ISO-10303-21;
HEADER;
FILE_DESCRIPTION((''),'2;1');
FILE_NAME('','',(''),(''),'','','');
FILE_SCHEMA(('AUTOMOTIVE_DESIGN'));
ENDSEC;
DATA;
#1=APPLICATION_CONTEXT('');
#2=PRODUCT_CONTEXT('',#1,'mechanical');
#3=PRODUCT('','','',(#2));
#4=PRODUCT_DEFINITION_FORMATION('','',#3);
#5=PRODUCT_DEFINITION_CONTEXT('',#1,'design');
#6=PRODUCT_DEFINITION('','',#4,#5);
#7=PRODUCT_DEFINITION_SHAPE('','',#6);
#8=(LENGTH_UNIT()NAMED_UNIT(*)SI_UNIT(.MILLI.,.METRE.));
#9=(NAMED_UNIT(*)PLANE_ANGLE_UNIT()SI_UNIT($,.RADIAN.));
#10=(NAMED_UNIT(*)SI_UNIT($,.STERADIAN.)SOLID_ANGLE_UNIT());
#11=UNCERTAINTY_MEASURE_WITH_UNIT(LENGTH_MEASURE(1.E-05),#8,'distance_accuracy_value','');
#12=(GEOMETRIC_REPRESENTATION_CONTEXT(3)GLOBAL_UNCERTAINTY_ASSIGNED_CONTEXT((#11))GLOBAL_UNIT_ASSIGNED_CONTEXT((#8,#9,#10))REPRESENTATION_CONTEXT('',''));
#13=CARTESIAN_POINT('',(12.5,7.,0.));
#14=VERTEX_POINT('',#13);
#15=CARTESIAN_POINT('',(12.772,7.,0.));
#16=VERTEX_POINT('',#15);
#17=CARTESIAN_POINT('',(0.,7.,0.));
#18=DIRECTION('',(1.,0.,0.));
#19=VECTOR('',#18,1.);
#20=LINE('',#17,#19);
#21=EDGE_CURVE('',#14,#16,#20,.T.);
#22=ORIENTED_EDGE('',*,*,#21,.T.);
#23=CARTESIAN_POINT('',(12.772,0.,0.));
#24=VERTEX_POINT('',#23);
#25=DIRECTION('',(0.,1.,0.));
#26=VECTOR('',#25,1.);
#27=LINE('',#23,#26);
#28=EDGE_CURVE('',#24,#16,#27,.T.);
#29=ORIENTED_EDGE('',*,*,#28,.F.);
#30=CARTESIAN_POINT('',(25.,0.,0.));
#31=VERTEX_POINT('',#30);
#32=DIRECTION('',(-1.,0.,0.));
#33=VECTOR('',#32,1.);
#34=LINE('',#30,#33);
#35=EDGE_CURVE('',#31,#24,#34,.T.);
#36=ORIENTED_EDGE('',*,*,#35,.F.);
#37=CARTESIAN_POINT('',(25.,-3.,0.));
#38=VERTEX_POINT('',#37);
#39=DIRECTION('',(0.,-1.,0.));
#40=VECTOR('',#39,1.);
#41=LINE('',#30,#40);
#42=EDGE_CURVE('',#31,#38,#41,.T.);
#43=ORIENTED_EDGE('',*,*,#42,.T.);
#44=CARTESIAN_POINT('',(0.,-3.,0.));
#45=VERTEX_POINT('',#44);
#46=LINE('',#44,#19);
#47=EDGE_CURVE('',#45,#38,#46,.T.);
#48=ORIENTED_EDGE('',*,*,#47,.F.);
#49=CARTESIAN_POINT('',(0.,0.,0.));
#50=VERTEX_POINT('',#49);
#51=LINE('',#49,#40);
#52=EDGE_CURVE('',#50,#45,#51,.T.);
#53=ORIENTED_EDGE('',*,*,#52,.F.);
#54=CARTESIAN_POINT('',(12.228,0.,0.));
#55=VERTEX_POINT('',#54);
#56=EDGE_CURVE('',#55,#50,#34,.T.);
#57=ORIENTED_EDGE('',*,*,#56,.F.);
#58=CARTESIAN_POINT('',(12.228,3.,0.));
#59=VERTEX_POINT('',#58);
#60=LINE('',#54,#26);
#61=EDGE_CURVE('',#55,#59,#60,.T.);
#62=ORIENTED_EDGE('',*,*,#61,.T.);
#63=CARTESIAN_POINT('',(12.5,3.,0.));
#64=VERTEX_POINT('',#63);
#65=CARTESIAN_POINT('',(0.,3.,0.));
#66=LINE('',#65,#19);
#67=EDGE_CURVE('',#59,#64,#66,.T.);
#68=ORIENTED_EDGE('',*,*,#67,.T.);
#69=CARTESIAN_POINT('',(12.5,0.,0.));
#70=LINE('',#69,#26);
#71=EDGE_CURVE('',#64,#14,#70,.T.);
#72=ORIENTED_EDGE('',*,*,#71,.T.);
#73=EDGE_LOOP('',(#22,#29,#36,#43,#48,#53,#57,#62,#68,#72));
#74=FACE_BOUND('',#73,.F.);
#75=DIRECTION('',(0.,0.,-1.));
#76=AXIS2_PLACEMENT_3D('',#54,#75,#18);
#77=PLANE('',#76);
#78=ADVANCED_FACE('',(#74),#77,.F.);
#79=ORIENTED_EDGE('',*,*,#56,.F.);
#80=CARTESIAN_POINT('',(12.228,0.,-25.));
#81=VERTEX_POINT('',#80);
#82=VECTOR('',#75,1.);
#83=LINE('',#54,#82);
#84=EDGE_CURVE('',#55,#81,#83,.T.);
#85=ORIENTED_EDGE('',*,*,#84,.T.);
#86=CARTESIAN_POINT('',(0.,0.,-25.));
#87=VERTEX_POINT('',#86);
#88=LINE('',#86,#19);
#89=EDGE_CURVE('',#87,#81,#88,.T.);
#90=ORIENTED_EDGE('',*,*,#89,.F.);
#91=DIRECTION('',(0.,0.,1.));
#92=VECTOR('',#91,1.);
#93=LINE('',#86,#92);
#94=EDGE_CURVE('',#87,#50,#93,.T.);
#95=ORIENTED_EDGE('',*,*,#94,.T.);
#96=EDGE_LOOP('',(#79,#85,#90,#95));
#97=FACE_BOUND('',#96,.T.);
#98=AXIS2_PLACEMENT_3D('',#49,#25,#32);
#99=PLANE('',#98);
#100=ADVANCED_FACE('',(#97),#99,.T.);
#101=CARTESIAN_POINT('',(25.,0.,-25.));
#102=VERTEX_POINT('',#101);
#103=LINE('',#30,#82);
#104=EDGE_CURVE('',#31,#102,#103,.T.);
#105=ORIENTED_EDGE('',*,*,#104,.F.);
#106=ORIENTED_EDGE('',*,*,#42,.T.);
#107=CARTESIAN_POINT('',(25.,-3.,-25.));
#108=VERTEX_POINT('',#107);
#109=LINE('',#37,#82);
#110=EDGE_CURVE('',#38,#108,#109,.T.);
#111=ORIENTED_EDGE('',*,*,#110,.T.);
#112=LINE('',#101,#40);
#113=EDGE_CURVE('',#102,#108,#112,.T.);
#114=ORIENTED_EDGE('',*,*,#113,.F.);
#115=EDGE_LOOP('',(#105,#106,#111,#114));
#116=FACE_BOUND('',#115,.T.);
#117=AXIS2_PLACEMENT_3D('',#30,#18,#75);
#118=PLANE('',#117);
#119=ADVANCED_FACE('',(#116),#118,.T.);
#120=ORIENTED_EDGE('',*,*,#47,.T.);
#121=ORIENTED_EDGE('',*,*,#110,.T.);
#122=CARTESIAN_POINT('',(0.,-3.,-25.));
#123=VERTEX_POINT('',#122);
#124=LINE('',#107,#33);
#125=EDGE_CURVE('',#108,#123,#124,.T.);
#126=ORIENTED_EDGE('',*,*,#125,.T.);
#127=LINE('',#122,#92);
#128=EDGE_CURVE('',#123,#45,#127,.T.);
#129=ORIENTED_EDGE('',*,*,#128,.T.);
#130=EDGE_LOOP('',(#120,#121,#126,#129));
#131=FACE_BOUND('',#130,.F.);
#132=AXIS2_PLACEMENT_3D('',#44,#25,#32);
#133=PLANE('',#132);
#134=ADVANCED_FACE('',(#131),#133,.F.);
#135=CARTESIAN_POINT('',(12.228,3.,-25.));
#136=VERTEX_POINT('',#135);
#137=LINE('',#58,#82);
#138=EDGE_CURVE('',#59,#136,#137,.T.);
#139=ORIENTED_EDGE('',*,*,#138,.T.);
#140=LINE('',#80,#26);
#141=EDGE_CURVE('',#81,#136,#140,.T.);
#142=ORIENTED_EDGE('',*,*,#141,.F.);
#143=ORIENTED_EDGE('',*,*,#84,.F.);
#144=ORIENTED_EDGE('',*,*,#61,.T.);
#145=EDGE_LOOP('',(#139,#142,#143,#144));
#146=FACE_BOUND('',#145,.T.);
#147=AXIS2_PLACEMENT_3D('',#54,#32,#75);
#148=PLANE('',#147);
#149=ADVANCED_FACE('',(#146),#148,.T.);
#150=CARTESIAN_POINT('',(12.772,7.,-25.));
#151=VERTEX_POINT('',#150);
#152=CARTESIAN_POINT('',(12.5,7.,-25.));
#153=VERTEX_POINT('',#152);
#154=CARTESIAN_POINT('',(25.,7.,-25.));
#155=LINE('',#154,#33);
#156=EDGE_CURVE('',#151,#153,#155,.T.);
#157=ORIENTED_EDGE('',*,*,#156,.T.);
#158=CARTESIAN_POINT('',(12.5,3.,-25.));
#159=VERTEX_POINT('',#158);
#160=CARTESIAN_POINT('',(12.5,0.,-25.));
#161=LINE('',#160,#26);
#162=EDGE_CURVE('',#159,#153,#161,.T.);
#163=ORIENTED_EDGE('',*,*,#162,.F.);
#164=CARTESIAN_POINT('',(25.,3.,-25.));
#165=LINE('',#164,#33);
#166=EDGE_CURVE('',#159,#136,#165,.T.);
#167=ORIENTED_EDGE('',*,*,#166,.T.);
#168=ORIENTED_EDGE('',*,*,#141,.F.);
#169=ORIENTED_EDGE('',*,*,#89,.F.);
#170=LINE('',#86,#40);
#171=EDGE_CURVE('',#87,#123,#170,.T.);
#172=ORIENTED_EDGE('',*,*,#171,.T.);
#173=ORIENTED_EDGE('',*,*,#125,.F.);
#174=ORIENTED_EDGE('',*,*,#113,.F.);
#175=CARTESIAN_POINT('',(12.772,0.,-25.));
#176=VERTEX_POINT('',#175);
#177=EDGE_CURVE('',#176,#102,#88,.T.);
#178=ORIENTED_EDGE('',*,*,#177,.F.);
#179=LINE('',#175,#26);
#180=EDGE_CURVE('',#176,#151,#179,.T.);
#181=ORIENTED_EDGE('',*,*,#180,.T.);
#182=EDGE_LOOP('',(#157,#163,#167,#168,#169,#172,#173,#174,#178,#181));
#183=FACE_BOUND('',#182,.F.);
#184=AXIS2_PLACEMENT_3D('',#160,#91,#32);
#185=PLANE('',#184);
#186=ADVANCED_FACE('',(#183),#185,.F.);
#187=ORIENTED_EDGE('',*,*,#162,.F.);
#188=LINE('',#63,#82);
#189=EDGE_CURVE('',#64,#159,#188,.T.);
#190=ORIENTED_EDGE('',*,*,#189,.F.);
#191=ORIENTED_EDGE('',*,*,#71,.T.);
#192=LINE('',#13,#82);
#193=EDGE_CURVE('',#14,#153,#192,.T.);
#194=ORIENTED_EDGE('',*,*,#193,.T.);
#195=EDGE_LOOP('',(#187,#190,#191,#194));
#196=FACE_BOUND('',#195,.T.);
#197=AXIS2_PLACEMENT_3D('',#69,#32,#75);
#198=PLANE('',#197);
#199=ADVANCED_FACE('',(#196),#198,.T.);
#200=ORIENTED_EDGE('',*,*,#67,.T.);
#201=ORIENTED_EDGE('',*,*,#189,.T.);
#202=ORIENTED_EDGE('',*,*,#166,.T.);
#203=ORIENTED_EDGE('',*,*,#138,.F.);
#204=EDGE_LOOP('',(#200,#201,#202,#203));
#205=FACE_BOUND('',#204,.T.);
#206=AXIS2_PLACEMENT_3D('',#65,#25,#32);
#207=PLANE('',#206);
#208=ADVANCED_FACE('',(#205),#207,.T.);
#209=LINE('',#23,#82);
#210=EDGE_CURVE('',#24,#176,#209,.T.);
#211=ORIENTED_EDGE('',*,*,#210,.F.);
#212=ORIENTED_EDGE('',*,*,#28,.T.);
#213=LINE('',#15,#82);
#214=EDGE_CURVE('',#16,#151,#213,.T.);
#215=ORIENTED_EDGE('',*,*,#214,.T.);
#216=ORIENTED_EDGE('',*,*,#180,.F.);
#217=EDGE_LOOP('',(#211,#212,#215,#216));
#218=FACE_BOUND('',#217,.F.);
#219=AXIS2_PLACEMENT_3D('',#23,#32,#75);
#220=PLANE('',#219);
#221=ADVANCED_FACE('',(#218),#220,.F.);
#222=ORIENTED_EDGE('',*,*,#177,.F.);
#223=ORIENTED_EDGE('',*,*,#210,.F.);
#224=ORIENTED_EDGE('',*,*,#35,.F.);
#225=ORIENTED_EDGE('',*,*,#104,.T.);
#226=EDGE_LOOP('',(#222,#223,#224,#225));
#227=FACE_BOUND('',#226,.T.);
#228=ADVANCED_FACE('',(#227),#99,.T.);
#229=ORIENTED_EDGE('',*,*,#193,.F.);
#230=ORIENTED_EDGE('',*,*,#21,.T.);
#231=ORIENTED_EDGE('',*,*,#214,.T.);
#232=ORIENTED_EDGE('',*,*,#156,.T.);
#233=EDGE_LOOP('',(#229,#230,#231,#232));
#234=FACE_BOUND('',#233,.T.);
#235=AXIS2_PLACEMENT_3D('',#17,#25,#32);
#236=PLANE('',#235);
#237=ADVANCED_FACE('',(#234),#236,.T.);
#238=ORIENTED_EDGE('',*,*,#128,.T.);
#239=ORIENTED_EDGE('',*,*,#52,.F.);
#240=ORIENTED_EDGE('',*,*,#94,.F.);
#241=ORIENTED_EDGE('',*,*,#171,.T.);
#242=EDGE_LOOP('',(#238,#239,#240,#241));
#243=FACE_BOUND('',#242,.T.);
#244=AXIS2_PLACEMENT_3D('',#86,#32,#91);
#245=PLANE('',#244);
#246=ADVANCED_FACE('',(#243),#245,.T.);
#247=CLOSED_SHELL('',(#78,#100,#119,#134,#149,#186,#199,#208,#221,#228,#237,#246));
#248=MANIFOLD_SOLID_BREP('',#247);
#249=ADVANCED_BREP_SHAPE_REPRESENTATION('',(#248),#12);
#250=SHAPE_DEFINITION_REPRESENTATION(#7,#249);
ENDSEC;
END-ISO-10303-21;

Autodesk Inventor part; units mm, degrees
ref_plane "YZ Plane" through (0, 0, 0) normal (1, 0, 0) x (0, 1, 0)
ref_plane "XZ Plane" through (0, 0, 0) normal (0, 1, 0) x (-1, 0, 0)
ref_plane "XY Plane" through (0, 0, 0) normal (0, 0, 1) x (1, 0, 0)
sketch "Sketch1" plane through (0, 0, 0) normal (0, 1, 0) x (-1, 0, 0)
  line L0 (0, 0) -> (-25, 0)
  line L1 (-25, 0) -> (-25, -25)
  line L2 (-25, -25) -> (0, -25)
  line L3 (0, -25) -> (0, 0)
  line L4 (-12.5, 0) -> (-12.5, -25)
  line L5 (-12.5, 0) -> (-12.772, 0)
  line L6 (-12.772, 0) -> (-12.772, -25)
  line L7 (-25, -25) -> (0, -25)
  line L8 (0, -25) -> (0, -26.7912)
  line L9 (0, -26.7912) -> (-25, -26.7912)
  line L10 (-25, -26.7912) -> (-25, -25)
  line L11 (-12.5, -26.7912) -> (-12.5, -25)
  line L12 (-12.228, 0) -> (-12.228, -25)
  dimension "d0" = 25
  dimension "d1" = 25
  dimension "d2" = 0.272
extrude "Extrusion1" add sketch "Sketch1" against normal blind 3 contours L3 L2 L12 L0 | L12 L2 L4 L0 | L4 L2 L6 L0 | L6 L2 L1 L0
extrude "Extrusion2" add sketch "Sketch1" along normal blind 7 contours L4 L2 L6 L0
extrude "Extrusion3" add sketch "Sketch1" along normal blind 3 contours L12 L2 L4 L0
sketch "Sketch2" plane through (25, -3, -25) normal (0, 0, -1) x (-1, 0, 0)
  line L0 (12.5, 6) -> (12.5, 10) projected
  line L1 (12.5, 10) -> (12.5, 30.188)
  point P0 (25, 3)
properties part number "podłoga"
